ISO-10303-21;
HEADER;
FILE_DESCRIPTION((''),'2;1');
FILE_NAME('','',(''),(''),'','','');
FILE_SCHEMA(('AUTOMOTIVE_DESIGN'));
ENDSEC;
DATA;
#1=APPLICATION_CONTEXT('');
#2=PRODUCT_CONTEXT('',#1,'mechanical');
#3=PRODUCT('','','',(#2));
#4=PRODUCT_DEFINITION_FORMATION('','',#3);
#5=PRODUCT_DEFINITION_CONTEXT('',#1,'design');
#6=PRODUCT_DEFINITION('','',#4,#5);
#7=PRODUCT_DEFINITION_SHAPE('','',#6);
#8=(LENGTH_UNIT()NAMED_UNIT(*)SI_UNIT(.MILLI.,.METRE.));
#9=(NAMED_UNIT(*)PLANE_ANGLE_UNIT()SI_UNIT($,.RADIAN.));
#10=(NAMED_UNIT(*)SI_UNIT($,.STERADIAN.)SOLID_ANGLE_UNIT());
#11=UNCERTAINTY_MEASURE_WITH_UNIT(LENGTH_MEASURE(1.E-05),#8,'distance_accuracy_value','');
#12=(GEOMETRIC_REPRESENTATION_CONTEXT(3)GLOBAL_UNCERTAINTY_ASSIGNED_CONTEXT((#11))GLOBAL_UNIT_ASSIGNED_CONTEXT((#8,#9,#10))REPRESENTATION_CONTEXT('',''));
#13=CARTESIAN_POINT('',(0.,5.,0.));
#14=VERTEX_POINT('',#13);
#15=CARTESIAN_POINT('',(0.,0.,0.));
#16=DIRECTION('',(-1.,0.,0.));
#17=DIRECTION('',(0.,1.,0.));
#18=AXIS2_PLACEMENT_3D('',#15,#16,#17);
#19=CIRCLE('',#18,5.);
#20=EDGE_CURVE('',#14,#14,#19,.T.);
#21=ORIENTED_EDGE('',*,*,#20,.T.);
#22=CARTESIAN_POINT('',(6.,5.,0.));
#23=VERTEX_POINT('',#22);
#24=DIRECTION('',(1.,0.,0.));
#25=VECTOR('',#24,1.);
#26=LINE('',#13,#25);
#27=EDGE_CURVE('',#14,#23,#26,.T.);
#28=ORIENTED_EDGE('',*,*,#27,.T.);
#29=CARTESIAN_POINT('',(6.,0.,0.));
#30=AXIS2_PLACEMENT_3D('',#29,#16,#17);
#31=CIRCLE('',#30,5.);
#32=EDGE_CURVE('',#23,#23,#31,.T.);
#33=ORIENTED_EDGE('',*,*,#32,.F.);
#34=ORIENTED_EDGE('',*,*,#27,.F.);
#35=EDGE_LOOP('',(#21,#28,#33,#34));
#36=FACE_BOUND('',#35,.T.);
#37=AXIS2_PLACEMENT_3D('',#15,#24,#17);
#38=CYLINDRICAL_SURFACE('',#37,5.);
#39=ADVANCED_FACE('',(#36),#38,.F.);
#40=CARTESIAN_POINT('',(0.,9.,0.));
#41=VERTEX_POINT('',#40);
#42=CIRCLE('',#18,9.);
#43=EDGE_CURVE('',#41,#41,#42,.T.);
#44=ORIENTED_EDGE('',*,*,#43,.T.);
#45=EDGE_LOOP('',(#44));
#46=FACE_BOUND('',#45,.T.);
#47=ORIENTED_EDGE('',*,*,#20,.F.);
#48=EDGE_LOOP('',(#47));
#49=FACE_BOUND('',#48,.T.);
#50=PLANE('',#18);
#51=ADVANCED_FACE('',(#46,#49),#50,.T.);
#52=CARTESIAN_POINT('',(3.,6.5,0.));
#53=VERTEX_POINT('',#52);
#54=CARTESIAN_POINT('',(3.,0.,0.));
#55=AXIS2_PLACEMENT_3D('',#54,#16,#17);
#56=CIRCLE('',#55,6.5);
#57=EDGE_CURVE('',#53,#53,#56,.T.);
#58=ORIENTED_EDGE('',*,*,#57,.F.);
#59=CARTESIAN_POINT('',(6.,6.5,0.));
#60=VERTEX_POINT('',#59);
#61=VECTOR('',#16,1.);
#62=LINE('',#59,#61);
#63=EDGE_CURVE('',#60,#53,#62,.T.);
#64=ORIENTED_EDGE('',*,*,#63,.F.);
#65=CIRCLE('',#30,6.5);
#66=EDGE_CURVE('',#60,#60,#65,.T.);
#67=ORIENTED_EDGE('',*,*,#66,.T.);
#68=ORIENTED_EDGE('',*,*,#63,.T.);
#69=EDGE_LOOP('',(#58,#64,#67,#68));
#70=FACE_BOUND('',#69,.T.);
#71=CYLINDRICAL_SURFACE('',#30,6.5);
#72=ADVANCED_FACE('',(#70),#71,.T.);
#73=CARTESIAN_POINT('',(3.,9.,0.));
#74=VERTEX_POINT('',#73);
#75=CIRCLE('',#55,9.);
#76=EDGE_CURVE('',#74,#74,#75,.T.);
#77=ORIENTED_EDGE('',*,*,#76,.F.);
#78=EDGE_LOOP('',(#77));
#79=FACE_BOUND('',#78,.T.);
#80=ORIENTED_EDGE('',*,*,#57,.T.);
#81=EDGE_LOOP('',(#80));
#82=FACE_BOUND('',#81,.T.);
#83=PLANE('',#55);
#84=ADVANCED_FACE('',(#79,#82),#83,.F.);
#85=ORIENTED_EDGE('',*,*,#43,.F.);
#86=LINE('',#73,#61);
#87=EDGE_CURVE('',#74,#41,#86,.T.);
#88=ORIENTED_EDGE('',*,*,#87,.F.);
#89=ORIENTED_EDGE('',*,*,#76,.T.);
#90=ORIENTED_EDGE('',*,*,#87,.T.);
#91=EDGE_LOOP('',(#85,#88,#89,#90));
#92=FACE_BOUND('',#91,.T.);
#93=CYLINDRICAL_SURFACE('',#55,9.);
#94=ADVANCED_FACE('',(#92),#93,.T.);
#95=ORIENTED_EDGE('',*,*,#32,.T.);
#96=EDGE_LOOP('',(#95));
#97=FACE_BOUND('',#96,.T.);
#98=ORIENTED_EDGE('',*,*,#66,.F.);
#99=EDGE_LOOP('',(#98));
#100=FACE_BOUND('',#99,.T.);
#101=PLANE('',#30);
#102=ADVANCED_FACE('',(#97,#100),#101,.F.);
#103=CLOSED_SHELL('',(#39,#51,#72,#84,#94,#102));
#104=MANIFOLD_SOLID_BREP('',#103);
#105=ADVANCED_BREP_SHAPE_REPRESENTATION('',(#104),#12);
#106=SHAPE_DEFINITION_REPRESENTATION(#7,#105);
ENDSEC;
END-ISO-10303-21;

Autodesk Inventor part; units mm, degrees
ref_plane "YZ Plane" through (0, 0, 0) normal (1, 0, 0) x (0, 1, 0)
ref_plane "XZ Plane" through (0, 0, 0) normal (0, 1, 0) x (-1, 0, 0)
ref_plane "XY Plane" through (0, 0, 0) normal (0, 0, 1) x (1, 0, 0)
sketch "Esboço1" plane through (0, 0, 0) normal (0, 0, 1) x (1, 0, 0)
  line L0 (0, 5) -> (6, 5)
  line L1 (6, 5) -> (6, 6.5)
  line L2 (6, 6.5) -> (3, 6.5)
  line L3 (3, 6.5) -> (3, 9)
  line L4 (3, 9) -> (0, 9)
  line L5 (0, 9) -> (0, 5)
  line L6 (-1.2, 0) -> (7.2, 0) projected
  point P0 (0, 0)
  dimension "d0" = 5
  dimension "d1" = 6
  dimension "d2" = 6.5
  dimension "d3" = 9
  dimension "d4" = 3
revolve "Revolução1" add sketch "Esboço1" angle 360 about axis through (-10, 0, 0) along (-1, 0, 0)
properties material "Aço"
